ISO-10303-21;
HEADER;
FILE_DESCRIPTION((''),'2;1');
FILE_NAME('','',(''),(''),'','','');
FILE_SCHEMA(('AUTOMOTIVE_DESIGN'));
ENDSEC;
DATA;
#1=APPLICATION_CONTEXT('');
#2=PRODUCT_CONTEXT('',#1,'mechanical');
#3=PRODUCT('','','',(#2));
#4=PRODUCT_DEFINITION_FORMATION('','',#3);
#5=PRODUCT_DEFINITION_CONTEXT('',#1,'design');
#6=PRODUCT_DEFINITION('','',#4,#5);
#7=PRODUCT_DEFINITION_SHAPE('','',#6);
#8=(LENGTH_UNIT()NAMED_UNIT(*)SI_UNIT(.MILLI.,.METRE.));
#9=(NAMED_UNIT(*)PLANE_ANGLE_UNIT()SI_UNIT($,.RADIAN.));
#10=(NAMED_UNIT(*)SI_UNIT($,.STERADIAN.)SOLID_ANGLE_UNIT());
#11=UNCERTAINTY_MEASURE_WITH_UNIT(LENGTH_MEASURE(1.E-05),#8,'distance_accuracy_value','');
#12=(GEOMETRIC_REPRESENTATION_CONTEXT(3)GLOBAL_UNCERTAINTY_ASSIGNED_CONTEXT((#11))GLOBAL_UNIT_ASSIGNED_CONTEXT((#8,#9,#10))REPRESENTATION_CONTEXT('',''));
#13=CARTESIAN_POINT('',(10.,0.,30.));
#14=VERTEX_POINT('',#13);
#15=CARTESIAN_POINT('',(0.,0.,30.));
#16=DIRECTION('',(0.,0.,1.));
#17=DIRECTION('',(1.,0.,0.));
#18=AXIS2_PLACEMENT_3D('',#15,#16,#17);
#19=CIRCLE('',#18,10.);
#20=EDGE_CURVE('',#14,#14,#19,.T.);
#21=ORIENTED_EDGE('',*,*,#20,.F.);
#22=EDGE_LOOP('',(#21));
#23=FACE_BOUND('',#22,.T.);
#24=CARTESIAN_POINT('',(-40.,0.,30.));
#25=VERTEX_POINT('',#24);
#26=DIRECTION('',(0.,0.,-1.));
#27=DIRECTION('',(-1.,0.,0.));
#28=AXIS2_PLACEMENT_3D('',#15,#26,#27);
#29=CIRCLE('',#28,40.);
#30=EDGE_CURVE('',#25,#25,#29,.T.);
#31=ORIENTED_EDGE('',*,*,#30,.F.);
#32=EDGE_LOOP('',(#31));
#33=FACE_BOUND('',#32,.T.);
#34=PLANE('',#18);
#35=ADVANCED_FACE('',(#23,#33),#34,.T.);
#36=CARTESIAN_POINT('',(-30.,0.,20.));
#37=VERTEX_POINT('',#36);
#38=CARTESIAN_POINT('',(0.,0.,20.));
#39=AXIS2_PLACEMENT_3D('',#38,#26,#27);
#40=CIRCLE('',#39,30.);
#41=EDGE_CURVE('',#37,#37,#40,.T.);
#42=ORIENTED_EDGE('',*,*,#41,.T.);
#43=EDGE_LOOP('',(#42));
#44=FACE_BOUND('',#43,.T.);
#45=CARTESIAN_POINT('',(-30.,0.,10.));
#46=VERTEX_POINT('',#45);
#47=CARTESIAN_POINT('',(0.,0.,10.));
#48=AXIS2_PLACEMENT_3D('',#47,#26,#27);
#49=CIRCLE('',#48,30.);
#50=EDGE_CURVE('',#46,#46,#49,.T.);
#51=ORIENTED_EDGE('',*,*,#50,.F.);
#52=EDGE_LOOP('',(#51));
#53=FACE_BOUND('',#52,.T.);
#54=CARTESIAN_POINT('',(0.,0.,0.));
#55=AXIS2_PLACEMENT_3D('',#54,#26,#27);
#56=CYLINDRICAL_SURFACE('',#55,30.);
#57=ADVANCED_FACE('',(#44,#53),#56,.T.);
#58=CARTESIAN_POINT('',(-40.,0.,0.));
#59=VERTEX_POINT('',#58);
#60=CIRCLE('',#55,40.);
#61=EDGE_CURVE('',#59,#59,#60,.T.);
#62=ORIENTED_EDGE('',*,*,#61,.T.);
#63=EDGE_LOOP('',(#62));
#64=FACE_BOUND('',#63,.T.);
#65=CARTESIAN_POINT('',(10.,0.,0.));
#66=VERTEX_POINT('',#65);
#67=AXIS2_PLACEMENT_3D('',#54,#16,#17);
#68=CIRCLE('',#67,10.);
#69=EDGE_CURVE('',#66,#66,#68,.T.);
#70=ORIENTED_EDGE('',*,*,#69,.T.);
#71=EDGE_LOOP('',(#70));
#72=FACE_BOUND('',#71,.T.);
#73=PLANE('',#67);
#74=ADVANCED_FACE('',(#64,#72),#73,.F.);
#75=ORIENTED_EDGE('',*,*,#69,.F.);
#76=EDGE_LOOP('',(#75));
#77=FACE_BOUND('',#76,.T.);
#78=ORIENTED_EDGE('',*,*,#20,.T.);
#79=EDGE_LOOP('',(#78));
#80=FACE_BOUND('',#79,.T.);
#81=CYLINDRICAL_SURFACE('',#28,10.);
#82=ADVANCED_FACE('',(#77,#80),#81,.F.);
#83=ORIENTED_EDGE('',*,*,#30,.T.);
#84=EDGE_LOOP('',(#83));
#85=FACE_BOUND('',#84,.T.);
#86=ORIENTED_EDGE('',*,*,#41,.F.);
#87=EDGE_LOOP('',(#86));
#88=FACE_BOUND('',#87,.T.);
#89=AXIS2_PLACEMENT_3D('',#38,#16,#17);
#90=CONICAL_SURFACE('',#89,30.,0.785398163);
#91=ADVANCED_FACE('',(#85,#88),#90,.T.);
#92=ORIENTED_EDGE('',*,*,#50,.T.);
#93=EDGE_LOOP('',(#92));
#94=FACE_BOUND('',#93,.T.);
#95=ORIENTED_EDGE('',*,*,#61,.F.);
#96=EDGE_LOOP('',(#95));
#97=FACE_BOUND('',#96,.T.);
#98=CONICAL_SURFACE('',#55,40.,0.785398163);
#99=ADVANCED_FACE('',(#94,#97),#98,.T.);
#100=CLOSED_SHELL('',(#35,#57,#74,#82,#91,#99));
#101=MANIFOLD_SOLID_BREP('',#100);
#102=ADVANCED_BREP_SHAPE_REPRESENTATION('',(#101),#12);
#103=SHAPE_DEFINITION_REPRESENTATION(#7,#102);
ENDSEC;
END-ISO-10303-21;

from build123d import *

# Parameters (mm, degrees)
SKETCH1_R           = 40
SKETCH1_R_2         = 10
BOSS_EXTRUDE1_DEPTH = 30


with BuildPart() as part:
    # Sketch1 → Boss-Extrude1 (new body)
    with BuildSketch(Plane.XY):
        Circle(SKETCH1_R)
        Circle(SKETCH1_R_2, mode=Mode.SUBTRACT)
    extrude(amount=BOSS_EXTRUDE1_DEPTH)

    # Sketch2 → Cut-Revolve1 (revolve, cut)
    with BuildSketch(Plane(origin=(0, 0, 0), x_dir=(1, 0, 0), z_dir=(0, 1, 0)), mode=Mode.PRIVATE) as cut_revolve1_sk:
        Polygon((40, -30), (40, 0), (30, -10), (30, -20), align=None)
    revolve(cut_revolve1_sk.sketch.rotate(Axis((0, 0, 0), (0, 0, 1)), 180), axis=Axis((0, 0, 0), (0, 0, 1)), mode=Mode.SUBTRACT)


solid = part.part
